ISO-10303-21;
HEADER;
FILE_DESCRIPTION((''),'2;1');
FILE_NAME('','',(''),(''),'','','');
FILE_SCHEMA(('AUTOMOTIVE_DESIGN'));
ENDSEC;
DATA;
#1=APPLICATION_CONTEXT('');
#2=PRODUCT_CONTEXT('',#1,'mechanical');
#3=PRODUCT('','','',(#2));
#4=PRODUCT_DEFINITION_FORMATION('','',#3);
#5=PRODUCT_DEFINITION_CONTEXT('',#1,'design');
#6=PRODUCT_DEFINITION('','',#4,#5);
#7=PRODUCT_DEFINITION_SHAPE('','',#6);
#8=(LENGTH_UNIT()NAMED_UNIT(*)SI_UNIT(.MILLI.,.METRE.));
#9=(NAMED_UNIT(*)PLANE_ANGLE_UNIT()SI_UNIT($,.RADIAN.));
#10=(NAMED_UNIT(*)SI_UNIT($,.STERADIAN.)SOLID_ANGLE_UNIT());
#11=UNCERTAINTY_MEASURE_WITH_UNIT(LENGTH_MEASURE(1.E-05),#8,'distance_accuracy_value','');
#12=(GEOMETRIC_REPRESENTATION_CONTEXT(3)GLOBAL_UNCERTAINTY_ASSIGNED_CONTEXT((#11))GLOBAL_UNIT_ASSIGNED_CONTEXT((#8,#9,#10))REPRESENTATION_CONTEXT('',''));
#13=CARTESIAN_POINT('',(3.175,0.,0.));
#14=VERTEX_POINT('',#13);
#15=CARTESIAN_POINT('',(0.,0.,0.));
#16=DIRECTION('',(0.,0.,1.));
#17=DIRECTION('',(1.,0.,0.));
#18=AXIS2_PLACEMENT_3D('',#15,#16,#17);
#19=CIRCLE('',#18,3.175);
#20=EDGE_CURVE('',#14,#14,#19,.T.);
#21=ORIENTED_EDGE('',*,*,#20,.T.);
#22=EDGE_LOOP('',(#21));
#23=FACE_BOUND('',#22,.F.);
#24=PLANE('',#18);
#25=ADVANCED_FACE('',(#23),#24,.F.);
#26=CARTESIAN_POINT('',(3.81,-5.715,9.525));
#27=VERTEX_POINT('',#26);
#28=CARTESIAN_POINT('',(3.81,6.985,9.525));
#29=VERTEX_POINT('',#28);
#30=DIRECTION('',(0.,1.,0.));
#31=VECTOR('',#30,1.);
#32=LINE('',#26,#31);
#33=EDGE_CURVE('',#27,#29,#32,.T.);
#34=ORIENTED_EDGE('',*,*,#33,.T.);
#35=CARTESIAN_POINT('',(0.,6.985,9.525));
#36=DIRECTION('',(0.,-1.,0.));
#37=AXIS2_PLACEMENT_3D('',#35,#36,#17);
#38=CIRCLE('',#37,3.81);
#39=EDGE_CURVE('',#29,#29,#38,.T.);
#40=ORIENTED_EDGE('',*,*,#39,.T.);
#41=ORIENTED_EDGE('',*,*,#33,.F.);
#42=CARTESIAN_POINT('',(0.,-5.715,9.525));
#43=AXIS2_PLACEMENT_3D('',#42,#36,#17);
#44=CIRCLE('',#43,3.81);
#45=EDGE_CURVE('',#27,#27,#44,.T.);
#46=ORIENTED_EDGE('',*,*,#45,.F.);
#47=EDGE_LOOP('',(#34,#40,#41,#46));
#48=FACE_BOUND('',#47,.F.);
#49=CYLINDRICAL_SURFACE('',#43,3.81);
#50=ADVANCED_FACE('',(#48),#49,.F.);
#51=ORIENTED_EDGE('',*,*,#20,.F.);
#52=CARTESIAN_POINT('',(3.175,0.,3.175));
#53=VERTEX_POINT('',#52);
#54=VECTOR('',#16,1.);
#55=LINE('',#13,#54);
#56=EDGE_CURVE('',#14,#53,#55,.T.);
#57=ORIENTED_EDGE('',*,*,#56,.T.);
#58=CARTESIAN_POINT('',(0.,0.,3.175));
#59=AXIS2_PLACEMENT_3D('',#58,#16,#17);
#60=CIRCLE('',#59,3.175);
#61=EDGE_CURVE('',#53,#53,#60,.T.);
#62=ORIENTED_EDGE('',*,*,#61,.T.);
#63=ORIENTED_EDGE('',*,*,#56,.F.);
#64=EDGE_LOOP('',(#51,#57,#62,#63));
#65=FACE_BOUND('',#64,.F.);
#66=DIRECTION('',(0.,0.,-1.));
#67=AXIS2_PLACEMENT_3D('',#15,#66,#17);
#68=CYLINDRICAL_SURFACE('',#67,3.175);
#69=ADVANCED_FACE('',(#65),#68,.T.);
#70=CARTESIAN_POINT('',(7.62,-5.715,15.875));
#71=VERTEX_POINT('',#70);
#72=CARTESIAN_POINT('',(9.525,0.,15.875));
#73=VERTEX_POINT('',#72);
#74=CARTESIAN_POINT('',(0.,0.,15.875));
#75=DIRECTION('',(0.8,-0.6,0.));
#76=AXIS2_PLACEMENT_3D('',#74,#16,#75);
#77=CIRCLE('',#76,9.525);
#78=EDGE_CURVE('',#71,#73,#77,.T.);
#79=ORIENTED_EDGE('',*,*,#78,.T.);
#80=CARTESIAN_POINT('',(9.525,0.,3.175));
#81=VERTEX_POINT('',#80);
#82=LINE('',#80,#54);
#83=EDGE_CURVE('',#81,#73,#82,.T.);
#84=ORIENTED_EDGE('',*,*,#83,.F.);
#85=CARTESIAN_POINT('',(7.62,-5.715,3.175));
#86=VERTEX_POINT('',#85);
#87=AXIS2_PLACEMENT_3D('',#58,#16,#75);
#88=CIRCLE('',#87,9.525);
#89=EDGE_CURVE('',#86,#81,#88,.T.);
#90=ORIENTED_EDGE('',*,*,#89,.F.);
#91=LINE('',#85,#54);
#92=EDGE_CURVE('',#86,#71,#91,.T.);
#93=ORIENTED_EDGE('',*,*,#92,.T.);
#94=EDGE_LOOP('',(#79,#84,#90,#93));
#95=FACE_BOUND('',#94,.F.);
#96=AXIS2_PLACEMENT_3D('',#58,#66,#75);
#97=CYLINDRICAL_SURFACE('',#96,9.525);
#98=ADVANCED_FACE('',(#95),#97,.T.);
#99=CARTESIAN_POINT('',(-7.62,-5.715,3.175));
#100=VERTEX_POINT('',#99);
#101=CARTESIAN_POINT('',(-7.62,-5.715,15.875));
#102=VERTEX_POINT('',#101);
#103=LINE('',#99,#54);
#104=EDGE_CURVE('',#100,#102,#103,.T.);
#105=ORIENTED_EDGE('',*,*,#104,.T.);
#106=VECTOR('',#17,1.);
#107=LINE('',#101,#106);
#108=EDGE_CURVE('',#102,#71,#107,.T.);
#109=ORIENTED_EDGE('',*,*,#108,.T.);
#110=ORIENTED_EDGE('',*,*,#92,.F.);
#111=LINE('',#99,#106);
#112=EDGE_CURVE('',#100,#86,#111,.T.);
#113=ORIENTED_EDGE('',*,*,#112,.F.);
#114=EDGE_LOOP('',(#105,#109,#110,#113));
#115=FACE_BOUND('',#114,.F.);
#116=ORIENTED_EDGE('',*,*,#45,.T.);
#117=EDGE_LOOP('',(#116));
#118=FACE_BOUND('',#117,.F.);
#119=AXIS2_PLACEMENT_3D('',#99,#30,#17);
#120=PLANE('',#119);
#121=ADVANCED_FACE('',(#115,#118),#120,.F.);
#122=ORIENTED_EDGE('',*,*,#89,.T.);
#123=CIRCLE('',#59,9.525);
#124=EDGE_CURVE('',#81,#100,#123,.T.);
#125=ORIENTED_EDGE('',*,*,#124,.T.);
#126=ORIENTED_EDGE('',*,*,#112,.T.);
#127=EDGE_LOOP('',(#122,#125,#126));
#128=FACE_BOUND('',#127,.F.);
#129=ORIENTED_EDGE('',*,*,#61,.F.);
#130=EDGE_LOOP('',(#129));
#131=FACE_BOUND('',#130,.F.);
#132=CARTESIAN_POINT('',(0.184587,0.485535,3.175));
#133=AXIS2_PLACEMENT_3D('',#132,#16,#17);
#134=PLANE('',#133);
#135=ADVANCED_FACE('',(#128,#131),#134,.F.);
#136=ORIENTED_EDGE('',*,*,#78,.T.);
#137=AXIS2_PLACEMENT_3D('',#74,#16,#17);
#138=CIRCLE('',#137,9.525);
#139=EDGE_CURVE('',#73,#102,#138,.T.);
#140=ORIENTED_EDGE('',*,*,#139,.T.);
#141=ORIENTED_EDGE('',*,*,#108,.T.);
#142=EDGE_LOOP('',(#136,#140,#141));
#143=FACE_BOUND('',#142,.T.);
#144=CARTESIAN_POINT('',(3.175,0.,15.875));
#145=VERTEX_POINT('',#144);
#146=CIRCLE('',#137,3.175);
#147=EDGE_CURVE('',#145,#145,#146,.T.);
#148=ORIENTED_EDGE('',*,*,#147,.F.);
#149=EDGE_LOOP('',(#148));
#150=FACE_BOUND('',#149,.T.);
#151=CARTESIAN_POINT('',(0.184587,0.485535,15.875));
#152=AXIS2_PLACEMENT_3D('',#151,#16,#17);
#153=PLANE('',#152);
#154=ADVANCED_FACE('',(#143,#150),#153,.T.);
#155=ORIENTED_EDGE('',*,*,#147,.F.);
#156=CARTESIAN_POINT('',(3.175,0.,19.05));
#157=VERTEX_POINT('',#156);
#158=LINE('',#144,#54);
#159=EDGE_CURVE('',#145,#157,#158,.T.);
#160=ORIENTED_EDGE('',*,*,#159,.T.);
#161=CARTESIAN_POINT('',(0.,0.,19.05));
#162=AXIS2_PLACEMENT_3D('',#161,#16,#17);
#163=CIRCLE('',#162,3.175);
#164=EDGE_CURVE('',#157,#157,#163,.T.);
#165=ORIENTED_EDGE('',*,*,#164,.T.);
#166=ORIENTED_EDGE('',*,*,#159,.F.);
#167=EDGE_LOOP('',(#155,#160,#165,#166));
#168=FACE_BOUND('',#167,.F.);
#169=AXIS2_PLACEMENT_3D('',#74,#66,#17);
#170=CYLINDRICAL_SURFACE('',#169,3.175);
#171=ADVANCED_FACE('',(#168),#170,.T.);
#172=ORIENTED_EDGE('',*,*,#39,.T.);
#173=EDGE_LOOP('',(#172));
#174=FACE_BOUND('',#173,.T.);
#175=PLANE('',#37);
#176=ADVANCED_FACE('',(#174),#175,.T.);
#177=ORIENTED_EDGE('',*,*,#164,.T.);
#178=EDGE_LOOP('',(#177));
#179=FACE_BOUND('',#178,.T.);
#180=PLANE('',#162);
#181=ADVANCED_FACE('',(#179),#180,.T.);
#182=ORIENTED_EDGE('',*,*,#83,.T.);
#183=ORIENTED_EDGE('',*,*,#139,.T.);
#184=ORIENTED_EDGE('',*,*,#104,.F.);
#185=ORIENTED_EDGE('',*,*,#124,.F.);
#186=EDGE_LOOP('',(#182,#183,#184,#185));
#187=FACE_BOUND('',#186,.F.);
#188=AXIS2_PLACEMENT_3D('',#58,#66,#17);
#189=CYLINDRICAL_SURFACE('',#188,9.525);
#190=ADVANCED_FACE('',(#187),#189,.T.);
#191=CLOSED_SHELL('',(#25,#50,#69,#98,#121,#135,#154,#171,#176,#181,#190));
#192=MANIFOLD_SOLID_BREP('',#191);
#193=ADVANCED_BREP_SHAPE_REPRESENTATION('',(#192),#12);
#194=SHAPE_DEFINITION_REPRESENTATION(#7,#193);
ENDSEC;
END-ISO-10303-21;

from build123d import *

# Parameters (mm, degrees)
F0_R     = 3.175
F1_DEPTH = 3.175
F2_R     = 3.175
F3_DEPTH = 12.7
F4_R     = 3.175
F5_DEPTH = 3.175
F6_R     = 3.81
F7_DEPTH = 12.7


with BuildPart() as f1:
    # F0 (on Top) → F1 (new body)
    with BuildSketch(Plane.XY):
        Circle(F0_R)
    extrude(amount=F1_DEPTH)

    # F2 (on face) → F3 (join)
    with BuildSketch(Plane.XY.offset(3.175)):
        with BuildLine():
            ThreePointArc((7.62, -5.715), (9.0362084139, -3.0120694713), (9.525, 0))
            ThreePointArc((9.525, 0), (-3.0120694713, 9.0362084139), (-7.62, -5.715))
            Line((-7.62, -5.715), (7.62, -5.715))
        make_face()
        Circle(F2_R, mode=Mode.SUBTRACT)
        Circle(F2_R)
    extrude(amount=F3_DEPTH)

    # F4 (on face) → F5 (join)
    with BuildSketch(Plane.XY.offset(15.875)):
        Circle(F4_R)
    extrude(amount=F5_DEPTH)

    # F6 (on face) → F7 (cut)
    with BuildSketch(Plane.XZ.offset(5.715)):
        with Locations((0, 9.525)):
            Circle(F6_R)
    extrude(amount=-F7_DEPTH, mode=Mode.SUBTRACT)


solid = f1.part
